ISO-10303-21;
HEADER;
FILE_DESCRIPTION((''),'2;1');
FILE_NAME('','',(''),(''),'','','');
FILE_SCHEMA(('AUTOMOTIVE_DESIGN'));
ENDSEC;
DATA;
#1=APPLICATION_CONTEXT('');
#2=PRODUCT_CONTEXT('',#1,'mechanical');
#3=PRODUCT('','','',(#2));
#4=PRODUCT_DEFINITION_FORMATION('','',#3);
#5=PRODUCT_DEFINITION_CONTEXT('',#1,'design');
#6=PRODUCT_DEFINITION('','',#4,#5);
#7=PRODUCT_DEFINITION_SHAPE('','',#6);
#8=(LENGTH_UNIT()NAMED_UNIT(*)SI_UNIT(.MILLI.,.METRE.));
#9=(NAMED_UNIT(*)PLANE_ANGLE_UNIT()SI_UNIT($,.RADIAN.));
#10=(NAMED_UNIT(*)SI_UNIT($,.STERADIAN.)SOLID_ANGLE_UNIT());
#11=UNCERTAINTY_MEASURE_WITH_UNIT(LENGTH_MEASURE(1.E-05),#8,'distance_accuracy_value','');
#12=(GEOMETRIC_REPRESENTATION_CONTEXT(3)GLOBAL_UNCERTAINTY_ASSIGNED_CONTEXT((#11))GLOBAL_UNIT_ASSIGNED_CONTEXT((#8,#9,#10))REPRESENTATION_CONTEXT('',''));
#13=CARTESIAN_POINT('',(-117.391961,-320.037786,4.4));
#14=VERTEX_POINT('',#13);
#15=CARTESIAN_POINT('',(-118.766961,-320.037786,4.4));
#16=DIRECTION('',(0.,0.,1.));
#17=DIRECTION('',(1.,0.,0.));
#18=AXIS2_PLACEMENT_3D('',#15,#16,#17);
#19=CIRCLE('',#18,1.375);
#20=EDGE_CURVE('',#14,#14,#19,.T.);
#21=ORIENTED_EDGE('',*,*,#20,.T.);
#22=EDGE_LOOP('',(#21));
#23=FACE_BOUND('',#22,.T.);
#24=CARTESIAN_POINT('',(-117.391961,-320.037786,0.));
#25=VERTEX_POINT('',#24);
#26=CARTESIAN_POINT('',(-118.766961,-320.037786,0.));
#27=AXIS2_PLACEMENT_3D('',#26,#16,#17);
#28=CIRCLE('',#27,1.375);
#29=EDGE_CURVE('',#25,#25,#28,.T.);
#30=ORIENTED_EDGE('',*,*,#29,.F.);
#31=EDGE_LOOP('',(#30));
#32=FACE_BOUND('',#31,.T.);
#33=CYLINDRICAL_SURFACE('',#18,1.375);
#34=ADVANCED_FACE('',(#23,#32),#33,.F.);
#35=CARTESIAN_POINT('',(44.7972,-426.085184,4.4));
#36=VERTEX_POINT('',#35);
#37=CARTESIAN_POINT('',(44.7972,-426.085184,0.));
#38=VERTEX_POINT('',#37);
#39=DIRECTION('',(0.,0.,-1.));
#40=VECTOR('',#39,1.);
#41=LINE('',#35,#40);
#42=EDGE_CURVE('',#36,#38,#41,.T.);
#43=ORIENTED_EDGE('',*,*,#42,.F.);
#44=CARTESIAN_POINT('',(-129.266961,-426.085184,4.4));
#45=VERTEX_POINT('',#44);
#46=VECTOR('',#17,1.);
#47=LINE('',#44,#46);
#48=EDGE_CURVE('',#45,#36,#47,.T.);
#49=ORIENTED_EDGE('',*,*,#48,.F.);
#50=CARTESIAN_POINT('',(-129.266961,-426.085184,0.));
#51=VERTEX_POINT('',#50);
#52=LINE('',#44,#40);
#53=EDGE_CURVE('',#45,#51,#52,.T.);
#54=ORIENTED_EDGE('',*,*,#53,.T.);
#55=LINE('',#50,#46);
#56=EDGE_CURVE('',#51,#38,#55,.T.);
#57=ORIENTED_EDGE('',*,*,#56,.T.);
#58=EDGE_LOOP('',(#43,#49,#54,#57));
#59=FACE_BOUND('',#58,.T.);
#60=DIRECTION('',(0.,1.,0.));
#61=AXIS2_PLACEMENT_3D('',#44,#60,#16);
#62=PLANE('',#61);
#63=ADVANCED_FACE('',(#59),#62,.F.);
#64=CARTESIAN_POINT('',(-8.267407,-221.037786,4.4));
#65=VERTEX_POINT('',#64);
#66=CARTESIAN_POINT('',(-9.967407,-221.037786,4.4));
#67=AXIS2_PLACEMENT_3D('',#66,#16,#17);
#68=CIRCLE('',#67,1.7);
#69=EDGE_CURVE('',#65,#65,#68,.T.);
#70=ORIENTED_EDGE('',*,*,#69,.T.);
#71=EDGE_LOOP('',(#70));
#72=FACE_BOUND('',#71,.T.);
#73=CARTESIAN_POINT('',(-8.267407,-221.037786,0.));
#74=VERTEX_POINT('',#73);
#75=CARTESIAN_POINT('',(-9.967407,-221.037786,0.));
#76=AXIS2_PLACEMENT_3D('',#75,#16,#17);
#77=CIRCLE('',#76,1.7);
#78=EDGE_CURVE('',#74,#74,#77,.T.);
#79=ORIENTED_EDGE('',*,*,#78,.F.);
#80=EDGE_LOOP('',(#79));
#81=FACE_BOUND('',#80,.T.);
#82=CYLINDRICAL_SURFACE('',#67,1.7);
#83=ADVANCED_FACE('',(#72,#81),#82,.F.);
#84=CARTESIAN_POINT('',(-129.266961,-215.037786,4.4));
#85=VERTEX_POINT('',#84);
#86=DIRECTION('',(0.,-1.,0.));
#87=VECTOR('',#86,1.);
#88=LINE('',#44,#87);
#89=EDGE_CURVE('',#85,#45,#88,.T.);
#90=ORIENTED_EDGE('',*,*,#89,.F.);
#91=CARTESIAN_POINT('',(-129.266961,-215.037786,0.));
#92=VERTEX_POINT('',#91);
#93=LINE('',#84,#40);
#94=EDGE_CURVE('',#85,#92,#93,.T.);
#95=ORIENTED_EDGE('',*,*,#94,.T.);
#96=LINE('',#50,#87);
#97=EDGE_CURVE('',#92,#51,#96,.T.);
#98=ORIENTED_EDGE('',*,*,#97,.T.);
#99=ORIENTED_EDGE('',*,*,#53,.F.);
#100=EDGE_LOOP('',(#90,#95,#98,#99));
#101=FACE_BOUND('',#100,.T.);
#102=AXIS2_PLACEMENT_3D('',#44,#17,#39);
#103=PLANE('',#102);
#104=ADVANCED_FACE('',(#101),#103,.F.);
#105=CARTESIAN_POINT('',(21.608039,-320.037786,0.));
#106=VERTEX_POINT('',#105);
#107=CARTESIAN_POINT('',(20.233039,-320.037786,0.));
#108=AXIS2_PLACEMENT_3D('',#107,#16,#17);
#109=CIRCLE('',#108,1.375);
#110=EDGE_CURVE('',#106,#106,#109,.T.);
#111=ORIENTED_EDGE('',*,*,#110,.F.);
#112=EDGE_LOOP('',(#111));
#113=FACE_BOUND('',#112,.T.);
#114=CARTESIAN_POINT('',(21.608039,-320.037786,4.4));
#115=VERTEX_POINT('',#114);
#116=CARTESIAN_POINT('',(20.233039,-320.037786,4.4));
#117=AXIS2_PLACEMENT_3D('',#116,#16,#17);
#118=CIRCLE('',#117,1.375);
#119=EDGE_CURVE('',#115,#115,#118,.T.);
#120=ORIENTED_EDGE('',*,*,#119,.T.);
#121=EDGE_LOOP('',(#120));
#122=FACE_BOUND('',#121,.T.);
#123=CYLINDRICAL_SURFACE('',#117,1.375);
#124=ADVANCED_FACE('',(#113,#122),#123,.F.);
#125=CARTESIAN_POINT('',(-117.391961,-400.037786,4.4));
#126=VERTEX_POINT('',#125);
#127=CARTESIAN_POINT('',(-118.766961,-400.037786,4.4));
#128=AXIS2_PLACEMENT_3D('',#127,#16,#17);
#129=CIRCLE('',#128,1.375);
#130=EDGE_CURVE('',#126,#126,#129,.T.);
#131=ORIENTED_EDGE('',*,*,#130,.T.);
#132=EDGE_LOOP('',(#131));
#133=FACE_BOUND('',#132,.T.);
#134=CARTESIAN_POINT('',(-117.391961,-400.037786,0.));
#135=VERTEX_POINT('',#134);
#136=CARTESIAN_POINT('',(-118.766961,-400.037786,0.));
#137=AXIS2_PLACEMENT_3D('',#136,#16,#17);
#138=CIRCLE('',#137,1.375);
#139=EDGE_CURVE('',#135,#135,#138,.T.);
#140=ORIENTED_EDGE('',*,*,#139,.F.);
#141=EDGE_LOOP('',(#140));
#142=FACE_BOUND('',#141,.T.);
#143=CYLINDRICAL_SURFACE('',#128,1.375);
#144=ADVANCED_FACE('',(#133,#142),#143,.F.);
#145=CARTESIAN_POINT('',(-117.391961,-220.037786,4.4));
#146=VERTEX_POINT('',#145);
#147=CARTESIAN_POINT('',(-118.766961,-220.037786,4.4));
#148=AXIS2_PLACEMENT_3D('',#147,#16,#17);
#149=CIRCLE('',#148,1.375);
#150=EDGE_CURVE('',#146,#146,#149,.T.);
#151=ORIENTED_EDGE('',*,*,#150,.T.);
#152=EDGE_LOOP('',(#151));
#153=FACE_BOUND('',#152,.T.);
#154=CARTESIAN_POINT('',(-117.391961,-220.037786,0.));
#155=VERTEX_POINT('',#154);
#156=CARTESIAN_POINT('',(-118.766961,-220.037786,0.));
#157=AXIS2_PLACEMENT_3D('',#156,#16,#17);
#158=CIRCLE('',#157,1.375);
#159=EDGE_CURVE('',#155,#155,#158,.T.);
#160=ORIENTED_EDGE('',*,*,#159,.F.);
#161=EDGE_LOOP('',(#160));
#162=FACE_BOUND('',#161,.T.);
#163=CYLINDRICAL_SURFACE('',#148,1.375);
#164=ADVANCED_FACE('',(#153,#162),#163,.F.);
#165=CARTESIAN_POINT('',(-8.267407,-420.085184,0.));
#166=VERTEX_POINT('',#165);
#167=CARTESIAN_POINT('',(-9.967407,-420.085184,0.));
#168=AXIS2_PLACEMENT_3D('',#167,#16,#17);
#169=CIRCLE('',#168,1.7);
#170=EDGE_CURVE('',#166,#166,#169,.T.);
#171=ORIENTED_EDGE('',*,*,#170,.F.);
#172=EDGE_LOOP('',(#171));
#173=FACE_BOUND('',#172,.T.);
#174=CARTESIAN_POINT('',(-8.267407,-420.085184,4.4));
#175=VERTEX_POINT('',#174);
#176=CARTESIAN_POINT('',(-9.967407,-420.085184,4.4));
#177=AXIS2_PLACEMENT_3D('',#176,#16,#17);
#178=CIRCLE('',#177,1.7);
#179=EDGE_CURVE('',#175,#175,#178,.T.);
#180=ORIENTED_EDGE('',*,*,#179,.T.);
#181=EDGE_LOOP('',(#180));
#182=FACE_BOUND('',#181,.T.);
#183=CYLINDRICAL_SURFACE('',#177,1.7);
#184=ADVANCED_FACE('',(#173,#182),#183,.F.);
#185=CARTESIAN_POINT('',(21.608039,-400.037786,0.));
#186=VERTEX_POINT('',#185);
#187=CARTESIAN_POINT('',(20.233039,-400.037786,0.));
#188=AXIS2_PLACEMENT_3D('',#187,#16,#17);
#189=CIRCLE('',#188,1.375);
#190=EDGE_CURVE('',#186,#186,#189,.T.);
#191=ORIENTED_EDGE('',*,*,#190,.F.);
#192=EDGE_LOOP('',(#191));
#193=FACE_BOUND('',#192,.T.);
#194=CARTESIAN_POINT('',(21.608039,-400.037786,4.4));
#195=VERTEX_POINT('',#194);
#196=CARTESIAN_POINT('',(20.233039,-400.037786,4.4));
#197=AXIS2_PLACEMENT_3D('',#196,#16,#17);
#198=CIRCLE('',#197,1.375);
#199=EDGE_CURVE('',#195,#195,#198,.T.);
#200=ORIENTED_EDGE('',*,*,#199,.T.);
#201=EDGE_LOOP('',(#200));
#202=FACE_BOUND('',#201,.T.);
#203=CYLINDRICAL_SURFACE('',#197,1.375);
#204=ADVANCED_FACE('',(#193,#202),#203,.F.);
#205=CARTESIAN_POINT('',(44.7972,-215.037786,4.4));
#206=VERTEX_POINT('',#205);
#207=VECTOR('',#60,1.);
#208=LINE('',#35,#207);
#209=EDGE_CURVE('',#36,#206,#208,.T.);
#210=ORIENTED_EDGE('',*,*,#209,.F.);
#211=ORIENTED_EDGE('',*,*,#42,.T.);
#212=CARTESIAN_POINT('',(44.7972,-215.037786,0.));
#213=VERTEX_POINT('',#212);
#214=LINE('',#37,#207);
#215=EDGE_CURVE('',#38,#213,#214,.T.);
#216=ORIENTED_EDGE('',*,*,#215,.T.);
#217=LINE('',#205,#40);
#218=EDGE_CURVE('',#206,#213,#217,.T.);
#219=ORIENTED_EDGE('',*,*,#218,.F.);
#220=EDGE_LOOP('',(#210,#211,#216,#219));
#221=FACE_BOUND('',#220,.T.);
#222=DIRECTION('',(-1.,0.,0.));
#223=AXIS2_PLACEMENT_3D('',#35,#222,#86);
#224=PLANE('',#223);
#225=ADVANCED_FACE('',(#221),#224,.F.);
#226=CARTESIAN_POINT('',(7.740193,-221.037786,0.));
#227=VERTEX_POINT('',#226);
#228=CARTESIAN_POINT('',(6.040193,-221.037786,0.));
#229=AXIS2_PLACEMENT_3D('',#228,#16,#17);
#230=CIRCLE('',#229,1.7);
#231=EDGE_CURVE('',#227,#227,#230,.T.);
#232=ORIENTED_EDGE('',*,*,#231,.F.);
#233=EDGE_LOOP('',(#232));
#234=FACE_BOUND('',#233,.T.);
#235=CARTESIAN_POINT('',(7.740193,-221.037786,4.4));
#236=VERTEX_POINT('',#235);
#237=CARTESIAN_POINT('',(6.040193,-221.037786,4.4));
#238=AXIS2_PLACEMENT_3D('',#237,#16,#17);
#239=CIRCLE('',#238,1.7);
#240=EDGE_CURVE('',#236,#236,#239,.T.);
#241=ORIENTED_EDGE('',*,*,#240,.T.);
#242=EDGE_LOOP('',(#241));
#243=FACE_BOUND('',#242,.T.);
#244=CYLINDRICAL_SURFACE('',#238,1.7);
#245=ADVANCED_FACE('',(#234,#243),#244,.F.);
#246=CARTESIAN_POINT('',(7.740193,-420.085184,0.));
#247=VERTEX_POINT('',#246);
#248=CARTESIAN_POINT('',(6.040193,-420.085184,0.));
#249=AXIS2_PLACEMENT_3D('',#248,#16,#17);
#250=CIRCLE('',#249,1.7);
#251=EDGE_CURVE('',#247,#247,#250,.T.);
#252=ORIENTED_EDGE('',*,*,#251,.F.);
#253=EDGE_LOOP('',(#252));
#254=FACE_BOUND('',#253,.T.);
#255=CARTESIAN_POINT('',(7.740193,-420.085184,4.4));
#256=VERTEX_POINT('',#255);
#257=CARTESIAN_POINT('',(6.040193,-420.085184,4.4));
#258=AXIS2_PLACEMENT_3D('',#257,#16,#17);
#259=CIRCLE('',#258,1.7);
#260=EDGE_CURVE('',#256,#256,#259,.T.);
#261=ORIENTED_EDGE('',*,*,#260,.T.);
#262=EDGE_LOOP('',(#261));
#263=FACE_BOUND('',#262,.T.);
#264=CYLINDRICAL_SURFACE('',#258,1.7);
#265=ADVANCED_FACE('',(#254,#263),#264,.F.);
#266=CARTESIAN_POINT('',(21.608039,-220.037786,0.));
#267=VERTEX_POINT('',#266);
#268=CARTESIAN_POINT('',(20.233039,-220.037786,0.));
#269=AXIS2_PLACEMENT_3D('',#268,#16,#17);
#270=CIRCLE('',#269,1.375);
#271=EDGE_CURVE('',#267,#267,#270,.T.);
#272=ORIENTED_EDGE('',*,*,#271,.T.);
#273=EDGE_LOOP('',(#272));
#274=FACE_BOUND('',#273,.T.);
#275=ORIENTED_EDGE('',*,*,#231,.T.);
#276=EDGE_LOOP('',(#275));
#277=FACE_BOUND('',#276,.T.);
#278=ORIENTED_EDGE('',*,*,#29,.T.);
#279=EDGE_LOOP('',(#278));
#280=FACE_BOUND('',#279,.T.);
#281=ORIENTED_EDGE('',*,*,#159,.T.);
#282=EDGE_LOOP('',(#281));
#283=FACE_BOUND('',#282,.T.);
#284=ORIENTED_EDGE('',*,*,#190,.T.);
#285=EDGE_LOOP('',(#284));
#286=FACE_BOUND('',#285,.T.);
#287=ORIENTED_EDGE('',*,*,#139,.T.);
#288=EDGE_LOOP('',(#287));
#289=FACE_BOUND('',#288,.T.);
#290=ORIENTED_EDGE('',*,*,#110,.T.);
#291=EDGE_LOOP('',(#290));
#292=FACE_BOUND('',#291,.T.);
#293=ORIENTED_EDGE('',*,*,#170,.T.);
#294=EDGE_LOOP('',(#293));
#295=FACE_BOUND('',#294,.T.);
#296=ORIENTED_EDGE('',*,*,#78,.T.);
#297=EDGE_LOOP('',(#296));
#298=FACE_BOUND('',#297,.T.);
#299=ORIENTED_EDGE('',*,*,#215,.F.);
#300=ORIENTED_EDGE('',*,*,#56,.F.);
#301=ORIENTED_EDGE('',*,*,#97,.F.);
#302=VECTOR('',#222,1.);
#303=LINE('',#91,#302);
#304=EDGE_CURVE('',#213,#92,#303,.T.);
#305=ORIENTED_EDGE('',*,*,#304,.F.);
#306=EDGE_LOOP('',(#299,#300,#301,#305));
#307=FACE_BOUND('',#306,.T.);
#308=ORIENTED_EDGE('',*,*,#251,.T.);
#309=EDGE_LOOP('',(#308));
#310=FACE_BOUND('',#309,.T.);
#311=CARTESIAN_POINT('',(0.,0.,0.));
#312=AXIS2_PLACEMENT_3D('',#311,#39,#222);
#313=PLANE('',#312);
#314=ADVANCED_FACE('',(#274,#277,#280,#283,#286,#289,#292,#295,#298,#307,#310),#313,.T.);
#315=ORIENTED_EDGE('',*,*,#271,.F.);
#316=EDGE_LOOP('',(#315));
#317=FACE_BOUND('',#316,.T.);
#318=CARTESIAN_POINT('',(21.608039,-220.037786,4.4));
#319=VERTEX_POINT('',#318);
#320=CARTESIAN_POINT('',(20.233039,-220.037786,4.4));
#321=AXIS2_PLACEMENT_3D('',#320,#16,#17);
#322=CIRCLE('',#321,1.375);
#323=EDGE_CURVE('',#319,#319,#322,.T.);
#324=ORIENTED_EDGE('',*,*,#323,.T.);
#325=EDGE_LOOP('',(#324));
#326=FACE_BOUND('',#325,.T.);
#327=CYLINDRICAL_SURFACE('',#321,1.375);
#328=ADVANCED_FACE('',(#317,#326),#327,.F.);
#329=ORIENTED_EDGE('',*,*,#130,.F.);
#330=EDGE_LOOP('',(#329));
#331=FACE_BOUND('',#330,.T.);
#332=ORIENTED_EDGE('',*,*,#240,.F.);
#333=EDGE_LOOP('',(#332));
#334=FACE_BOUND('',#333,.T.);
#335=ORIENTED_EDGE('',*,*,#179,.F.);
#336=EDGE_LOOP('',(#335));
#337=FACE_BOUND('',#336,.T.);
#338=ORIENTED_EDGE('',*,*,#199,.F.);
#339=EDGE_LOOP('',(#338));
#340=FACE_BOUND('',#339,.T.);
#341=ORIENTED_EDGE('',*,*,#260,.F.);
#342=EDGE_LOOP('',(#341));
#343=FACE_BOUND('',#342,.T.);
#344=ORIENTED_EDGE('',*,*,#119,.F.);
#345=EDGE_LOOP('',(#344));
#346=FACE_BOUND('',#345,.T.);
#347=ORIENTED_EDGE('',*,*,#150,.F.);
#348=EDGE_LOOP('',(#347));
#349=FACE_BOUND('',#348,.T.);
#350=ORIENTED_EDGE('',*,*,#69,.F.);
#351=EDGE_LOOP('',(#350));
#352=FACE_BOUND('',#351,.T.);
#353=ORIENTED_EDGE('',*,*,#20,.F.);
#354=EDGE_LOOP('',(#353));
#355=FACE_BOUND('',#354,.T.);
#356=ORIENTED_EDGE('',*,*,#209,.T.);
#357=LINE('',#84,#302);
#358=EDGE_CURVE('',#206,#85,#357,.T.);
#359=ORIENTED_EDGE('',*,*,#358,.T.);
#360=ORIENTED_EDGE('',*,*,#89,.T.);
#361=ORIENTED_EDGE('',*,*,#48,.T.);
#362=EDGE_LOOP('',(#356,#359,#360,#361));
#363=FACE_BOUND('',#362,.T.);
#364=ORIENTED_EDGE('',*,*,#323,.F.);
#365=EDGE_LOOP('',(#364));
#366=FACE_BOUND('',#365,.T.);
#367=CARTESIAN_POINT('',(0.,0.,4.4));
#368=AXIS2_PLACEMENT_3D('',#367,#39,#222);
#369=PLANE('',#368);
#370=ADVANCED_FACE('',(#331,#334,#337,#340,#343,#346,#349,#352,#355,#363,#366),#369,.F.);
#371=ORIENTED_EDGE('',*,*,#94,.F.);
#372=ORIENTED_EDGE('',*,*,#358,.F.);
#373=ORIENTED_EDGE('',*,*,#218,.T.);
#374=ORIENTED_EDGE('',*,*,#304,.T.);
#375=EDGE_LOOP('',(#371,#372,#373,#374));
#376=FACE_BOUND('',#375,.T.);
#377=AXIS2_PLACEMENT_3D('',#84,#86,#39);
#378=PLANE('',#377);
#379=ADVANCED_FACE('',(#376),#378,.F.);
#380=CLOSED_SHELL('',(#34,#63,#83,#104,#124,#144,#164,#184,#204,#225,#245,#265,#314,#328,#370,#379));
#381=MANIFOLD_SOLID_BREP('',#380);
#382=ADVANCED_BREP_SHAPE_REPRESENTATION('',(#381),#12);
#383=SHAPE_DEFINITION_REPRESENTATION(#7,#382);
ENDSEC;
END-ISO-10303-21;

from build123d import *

# Parameters (mm, degrees)
SKETCH1_W               = 174.064160833
SKETCH1_H               = 211.04739762
BOSS_EXTRUDE1_DEPTH     = 4.4
TAP_DRILL_FOR_M3_TAP1_D = 2.75
M3_CLEARANCE_HOLE1_D    = 3.4


with BuildPart() as part:
    # Sketch1 → Boss-Extrude1 (new body)
    with BuildSketch(Plane.XY):
        with Locations((-42.234880602, -320.561484724)):
            Rectangle(SKETCH1_W, SKETCH1_H)
    extrude(amount=BOSS_EXTRUDE1_DEPTH)

    # Tap Drill for M3 Tap1 (through all)
    with Locations(Plane.XY.offset(4.4)):
        with Locations((-118.766961018, -220.037785914), (20.233038982, -220.037785914), (-118.766961018, -320.037785914), (20.233038982, -320.037785914), (20.233038982, -400.037785914), (-118.766961018, -400.037785914)):
            Hole(TAP_DRILL_FOR_M3_TAP1_D / 2)

    # M3 Clearance Hole1 (through all)
    with Locations(Plane.XY.offset(4.4)):
        with Locations((-9.96740718, -420.085183534), (6.04019282, -420.085183534), (-9.96740718, -221.037785914), (6.04019282, -221.037785914)):
            Hole(M3_CLEARANCE_HOLE1_D / 2)


solid = part.part
